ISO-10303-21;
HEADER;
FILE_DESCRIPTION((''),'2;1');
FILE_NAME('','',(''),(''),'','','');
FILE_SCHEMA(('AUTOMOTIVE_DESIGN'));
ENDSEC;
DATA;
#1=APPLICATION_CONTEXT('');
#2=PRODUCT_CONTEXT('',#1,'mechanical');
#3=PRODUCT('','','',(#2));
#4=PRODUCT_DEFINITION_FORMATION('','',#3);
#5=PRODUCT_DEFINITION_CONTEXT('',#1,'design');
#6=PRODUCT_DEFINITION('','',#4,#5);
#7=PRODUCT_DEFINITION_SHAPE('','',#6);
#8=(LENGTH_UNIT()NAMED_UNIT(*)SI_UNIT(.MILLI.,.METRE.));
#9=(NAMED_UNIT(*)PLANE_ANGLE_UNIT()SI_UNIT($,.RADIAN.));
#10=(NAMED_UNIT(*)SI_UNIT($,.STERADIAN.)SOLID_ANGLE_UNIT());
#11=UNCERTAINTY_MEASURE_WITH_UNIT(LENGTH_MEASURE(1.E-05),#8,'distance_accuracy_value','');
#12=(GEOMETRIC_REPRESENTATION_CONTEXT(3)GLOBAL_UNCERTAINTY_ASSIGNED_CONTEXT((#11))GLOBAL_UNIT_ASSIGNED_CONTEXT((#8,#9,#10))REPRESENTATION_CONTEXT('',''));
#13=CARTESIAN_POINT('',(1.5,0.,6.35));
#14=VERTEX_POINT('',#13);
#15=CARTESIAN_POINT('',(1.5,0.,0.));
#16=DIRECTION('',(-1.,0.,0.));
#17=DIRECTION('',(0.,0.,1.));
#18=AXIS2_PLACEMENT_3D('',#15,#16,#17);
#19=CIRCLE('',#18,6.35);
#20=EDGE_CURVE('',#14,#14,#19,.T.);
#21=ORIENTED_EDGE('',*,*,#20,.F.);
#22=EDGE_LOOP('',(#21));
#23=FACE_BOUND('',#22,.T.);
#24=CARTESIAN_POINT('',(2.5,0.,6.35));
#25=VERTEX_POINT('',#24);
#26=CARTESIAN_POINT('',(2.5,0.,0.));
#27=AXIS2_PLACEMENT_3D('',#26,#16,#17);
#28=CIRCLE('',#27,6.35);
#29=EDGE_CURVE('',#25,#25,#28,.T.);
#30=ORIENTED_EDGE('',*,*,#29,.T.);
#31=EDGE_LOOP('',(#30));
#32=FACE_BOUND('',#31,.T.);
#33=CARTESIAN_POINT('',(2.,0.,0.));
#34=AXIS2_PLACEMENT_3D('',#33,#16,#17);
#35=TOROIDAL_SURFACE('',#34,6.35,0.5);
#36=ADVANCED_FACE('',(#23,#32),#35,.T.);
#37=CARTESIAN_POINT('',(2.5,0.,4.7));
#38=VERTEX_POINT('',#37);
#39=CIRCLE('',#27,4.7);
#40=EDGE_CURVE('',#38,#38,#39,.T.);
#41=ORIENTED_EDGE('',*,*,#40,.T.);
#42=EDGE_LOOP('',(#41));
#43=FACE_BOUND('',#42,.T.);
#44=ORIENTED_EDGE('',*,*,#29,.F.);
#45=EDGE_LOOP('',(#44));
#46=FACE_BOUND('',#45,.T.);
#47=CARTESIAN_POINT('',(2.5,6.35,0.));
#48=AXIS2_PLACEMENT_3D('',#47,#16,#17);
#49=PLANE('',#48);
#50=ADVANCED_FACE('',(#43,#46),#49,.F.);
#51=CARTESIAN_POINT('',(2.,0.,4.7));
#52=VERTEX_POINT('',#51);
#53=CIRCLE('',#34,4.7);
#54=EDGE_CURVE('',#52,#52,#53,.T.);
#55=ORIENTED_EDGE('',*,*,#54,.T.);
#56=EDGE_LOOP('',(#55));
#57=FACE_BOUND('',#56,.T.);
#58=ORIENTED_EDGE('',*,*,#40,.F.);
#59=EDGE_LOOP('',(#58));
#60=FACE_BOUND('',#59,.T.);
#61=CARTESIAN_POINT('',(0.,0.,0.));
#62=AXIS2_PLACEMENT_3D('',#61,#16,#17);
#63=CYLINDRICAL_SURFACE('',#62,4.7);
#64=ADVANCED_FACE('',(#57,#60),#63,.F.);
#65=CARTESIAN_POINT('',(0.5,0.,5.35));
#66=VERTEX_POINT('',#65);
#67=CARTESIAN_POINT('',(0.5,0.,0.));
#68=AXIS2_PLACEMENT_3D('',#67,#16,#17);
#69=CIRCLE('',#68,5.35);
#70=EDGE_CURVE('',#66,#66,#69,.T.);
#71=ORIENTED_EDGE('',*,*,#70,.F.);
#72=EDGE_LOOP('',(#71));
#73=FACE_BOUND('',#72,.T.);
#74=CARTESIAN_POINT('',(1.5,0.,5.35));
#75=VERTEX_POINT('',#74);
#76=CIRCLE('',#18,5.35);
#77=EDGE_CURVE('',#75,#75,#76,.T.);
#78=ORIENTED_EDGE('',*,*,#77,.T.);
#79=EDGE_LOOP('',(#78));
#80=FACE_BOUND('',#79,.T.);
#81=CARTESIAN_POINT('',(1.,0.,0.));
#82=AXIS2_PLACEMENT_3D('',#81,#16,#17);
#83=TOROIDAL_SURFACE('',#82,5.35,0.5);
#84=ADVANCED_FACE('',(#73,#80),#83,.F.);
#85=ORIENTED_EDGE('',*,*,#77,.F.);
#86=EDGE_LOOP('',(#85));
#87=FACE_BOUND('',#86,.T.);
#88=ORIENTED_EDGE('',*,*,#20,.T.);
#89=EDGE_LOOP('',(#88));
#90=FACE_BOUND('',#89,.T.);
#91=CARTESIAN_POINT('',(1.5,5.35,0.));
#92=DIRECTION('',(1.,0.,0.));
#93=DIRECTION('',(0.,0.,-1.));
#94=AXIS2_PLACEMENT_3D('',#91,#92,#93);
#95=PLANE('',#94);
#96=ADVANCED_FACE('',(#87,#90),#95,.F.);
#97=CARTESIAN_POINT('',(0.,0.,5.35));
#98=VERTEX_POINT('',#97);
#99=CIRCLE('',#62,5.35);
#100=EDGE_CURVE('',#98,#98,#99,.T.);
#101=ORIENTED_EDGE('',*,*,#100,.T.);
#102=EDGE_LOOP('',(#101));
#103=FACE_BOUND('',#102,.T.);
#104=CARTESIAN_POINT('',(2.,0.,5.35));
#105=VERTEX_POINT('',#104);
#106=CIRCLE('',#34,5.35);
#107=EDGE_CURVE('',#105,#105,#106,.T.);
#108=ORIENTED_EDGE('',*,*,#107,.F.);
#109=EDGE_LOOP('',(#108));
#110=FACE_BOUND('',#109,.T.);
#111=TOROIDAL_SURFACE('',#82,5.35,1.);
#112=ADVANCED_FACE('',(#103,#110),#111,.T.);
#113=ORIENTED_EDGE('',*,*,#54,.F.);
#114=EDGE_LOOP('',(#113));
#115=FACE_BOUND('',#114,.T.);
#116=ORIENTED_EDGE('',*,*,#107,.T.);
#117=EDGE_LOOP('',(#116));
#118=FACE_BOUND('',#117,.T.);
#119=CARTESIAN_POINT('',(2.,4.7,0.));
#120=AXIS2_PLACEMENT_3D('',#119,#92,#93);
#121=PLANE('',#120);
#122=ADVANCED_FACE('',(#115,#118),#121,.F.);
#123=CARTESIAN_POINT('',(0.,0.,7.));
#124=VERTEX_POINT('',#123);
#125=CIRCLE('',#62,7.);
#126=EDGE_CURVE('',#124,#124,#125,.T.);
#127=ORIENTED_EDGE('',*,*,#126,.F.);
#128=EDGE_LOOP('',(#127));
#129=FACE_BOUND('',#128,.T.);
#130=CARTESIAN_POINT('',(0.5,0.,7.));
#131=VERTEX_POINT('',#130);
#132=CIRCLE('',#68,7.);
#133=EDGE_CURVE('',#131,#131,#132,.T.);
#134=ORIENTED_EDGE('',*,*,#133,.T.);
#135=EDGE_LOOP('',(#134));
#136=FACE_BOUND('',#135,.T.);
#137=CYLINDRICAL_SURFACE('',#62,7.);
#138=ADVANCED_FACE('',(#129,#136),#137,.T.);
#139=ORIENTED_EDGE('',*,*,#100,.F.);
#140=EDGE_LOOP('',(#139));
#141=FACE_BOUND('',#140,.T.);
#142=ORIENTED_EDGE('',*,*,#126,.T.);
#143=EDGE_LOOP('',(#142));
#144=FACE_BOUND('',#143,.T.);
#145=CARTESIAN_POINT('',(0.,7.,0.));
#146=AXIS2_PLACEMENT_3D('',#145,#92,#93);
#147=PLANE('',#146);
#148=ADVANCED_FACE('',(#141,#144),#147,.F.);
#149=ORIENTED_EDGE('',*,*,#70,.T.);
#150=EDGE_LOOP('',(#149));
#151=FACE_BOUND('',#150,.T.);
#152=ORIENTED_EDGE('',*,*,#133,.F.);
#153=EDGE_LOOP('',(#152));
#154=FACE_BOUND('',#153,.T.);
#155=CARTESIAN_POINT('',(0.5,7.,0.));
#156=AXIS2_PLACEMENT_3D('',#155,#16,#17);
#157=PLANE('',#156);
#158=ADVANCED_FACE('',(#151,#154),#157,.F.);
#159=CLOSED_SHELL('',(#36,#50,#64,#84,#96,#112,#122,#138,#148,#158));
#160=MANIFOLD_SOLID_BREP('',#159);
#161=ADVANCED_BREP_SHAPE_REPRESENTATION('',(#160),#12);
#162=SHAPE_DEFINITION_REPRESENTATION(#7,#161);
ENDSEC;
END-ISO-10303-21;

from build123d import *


with BuildPart() as part:
    # Çizim1 → Döndür1 (revolve)
    with BuildSketch(Plane.XY, mode=Mode.PRIVATE) as d_nd_r1_sk:
        with BuildLine():
            Line((0, 7), (0, 5.35))
            ThreePointArc((0, 5.35), (1, 4.35), (2, 5.35))
            Line((2, 5.35), (2, 4.7))
            Line((2, 4.7), (2.5, 4.7))
            Line((2.5, 4.7), (2.5, 6.35))
            ThreePointArc((2.5, 6.35), (2, 6.85), (1.5, 6.35))
            Line((1.5, 6.35), (1.5, 5.35))
            ThreePointArc((1.5, 5.35), (1, 4.85), (0.5, 5.35))
            Line((0.5, 5.35), (0.5, 7))
            Line((0.5, 7), (0, 7))
        make_face()
    revolve(d_nd_r1_sk.sketch.rotate(Axis((0, 0, 0), (1, 0, 0)), 90), axis=Axis((0, 0, 0), (1, 0, 0)))


solid = part.part
